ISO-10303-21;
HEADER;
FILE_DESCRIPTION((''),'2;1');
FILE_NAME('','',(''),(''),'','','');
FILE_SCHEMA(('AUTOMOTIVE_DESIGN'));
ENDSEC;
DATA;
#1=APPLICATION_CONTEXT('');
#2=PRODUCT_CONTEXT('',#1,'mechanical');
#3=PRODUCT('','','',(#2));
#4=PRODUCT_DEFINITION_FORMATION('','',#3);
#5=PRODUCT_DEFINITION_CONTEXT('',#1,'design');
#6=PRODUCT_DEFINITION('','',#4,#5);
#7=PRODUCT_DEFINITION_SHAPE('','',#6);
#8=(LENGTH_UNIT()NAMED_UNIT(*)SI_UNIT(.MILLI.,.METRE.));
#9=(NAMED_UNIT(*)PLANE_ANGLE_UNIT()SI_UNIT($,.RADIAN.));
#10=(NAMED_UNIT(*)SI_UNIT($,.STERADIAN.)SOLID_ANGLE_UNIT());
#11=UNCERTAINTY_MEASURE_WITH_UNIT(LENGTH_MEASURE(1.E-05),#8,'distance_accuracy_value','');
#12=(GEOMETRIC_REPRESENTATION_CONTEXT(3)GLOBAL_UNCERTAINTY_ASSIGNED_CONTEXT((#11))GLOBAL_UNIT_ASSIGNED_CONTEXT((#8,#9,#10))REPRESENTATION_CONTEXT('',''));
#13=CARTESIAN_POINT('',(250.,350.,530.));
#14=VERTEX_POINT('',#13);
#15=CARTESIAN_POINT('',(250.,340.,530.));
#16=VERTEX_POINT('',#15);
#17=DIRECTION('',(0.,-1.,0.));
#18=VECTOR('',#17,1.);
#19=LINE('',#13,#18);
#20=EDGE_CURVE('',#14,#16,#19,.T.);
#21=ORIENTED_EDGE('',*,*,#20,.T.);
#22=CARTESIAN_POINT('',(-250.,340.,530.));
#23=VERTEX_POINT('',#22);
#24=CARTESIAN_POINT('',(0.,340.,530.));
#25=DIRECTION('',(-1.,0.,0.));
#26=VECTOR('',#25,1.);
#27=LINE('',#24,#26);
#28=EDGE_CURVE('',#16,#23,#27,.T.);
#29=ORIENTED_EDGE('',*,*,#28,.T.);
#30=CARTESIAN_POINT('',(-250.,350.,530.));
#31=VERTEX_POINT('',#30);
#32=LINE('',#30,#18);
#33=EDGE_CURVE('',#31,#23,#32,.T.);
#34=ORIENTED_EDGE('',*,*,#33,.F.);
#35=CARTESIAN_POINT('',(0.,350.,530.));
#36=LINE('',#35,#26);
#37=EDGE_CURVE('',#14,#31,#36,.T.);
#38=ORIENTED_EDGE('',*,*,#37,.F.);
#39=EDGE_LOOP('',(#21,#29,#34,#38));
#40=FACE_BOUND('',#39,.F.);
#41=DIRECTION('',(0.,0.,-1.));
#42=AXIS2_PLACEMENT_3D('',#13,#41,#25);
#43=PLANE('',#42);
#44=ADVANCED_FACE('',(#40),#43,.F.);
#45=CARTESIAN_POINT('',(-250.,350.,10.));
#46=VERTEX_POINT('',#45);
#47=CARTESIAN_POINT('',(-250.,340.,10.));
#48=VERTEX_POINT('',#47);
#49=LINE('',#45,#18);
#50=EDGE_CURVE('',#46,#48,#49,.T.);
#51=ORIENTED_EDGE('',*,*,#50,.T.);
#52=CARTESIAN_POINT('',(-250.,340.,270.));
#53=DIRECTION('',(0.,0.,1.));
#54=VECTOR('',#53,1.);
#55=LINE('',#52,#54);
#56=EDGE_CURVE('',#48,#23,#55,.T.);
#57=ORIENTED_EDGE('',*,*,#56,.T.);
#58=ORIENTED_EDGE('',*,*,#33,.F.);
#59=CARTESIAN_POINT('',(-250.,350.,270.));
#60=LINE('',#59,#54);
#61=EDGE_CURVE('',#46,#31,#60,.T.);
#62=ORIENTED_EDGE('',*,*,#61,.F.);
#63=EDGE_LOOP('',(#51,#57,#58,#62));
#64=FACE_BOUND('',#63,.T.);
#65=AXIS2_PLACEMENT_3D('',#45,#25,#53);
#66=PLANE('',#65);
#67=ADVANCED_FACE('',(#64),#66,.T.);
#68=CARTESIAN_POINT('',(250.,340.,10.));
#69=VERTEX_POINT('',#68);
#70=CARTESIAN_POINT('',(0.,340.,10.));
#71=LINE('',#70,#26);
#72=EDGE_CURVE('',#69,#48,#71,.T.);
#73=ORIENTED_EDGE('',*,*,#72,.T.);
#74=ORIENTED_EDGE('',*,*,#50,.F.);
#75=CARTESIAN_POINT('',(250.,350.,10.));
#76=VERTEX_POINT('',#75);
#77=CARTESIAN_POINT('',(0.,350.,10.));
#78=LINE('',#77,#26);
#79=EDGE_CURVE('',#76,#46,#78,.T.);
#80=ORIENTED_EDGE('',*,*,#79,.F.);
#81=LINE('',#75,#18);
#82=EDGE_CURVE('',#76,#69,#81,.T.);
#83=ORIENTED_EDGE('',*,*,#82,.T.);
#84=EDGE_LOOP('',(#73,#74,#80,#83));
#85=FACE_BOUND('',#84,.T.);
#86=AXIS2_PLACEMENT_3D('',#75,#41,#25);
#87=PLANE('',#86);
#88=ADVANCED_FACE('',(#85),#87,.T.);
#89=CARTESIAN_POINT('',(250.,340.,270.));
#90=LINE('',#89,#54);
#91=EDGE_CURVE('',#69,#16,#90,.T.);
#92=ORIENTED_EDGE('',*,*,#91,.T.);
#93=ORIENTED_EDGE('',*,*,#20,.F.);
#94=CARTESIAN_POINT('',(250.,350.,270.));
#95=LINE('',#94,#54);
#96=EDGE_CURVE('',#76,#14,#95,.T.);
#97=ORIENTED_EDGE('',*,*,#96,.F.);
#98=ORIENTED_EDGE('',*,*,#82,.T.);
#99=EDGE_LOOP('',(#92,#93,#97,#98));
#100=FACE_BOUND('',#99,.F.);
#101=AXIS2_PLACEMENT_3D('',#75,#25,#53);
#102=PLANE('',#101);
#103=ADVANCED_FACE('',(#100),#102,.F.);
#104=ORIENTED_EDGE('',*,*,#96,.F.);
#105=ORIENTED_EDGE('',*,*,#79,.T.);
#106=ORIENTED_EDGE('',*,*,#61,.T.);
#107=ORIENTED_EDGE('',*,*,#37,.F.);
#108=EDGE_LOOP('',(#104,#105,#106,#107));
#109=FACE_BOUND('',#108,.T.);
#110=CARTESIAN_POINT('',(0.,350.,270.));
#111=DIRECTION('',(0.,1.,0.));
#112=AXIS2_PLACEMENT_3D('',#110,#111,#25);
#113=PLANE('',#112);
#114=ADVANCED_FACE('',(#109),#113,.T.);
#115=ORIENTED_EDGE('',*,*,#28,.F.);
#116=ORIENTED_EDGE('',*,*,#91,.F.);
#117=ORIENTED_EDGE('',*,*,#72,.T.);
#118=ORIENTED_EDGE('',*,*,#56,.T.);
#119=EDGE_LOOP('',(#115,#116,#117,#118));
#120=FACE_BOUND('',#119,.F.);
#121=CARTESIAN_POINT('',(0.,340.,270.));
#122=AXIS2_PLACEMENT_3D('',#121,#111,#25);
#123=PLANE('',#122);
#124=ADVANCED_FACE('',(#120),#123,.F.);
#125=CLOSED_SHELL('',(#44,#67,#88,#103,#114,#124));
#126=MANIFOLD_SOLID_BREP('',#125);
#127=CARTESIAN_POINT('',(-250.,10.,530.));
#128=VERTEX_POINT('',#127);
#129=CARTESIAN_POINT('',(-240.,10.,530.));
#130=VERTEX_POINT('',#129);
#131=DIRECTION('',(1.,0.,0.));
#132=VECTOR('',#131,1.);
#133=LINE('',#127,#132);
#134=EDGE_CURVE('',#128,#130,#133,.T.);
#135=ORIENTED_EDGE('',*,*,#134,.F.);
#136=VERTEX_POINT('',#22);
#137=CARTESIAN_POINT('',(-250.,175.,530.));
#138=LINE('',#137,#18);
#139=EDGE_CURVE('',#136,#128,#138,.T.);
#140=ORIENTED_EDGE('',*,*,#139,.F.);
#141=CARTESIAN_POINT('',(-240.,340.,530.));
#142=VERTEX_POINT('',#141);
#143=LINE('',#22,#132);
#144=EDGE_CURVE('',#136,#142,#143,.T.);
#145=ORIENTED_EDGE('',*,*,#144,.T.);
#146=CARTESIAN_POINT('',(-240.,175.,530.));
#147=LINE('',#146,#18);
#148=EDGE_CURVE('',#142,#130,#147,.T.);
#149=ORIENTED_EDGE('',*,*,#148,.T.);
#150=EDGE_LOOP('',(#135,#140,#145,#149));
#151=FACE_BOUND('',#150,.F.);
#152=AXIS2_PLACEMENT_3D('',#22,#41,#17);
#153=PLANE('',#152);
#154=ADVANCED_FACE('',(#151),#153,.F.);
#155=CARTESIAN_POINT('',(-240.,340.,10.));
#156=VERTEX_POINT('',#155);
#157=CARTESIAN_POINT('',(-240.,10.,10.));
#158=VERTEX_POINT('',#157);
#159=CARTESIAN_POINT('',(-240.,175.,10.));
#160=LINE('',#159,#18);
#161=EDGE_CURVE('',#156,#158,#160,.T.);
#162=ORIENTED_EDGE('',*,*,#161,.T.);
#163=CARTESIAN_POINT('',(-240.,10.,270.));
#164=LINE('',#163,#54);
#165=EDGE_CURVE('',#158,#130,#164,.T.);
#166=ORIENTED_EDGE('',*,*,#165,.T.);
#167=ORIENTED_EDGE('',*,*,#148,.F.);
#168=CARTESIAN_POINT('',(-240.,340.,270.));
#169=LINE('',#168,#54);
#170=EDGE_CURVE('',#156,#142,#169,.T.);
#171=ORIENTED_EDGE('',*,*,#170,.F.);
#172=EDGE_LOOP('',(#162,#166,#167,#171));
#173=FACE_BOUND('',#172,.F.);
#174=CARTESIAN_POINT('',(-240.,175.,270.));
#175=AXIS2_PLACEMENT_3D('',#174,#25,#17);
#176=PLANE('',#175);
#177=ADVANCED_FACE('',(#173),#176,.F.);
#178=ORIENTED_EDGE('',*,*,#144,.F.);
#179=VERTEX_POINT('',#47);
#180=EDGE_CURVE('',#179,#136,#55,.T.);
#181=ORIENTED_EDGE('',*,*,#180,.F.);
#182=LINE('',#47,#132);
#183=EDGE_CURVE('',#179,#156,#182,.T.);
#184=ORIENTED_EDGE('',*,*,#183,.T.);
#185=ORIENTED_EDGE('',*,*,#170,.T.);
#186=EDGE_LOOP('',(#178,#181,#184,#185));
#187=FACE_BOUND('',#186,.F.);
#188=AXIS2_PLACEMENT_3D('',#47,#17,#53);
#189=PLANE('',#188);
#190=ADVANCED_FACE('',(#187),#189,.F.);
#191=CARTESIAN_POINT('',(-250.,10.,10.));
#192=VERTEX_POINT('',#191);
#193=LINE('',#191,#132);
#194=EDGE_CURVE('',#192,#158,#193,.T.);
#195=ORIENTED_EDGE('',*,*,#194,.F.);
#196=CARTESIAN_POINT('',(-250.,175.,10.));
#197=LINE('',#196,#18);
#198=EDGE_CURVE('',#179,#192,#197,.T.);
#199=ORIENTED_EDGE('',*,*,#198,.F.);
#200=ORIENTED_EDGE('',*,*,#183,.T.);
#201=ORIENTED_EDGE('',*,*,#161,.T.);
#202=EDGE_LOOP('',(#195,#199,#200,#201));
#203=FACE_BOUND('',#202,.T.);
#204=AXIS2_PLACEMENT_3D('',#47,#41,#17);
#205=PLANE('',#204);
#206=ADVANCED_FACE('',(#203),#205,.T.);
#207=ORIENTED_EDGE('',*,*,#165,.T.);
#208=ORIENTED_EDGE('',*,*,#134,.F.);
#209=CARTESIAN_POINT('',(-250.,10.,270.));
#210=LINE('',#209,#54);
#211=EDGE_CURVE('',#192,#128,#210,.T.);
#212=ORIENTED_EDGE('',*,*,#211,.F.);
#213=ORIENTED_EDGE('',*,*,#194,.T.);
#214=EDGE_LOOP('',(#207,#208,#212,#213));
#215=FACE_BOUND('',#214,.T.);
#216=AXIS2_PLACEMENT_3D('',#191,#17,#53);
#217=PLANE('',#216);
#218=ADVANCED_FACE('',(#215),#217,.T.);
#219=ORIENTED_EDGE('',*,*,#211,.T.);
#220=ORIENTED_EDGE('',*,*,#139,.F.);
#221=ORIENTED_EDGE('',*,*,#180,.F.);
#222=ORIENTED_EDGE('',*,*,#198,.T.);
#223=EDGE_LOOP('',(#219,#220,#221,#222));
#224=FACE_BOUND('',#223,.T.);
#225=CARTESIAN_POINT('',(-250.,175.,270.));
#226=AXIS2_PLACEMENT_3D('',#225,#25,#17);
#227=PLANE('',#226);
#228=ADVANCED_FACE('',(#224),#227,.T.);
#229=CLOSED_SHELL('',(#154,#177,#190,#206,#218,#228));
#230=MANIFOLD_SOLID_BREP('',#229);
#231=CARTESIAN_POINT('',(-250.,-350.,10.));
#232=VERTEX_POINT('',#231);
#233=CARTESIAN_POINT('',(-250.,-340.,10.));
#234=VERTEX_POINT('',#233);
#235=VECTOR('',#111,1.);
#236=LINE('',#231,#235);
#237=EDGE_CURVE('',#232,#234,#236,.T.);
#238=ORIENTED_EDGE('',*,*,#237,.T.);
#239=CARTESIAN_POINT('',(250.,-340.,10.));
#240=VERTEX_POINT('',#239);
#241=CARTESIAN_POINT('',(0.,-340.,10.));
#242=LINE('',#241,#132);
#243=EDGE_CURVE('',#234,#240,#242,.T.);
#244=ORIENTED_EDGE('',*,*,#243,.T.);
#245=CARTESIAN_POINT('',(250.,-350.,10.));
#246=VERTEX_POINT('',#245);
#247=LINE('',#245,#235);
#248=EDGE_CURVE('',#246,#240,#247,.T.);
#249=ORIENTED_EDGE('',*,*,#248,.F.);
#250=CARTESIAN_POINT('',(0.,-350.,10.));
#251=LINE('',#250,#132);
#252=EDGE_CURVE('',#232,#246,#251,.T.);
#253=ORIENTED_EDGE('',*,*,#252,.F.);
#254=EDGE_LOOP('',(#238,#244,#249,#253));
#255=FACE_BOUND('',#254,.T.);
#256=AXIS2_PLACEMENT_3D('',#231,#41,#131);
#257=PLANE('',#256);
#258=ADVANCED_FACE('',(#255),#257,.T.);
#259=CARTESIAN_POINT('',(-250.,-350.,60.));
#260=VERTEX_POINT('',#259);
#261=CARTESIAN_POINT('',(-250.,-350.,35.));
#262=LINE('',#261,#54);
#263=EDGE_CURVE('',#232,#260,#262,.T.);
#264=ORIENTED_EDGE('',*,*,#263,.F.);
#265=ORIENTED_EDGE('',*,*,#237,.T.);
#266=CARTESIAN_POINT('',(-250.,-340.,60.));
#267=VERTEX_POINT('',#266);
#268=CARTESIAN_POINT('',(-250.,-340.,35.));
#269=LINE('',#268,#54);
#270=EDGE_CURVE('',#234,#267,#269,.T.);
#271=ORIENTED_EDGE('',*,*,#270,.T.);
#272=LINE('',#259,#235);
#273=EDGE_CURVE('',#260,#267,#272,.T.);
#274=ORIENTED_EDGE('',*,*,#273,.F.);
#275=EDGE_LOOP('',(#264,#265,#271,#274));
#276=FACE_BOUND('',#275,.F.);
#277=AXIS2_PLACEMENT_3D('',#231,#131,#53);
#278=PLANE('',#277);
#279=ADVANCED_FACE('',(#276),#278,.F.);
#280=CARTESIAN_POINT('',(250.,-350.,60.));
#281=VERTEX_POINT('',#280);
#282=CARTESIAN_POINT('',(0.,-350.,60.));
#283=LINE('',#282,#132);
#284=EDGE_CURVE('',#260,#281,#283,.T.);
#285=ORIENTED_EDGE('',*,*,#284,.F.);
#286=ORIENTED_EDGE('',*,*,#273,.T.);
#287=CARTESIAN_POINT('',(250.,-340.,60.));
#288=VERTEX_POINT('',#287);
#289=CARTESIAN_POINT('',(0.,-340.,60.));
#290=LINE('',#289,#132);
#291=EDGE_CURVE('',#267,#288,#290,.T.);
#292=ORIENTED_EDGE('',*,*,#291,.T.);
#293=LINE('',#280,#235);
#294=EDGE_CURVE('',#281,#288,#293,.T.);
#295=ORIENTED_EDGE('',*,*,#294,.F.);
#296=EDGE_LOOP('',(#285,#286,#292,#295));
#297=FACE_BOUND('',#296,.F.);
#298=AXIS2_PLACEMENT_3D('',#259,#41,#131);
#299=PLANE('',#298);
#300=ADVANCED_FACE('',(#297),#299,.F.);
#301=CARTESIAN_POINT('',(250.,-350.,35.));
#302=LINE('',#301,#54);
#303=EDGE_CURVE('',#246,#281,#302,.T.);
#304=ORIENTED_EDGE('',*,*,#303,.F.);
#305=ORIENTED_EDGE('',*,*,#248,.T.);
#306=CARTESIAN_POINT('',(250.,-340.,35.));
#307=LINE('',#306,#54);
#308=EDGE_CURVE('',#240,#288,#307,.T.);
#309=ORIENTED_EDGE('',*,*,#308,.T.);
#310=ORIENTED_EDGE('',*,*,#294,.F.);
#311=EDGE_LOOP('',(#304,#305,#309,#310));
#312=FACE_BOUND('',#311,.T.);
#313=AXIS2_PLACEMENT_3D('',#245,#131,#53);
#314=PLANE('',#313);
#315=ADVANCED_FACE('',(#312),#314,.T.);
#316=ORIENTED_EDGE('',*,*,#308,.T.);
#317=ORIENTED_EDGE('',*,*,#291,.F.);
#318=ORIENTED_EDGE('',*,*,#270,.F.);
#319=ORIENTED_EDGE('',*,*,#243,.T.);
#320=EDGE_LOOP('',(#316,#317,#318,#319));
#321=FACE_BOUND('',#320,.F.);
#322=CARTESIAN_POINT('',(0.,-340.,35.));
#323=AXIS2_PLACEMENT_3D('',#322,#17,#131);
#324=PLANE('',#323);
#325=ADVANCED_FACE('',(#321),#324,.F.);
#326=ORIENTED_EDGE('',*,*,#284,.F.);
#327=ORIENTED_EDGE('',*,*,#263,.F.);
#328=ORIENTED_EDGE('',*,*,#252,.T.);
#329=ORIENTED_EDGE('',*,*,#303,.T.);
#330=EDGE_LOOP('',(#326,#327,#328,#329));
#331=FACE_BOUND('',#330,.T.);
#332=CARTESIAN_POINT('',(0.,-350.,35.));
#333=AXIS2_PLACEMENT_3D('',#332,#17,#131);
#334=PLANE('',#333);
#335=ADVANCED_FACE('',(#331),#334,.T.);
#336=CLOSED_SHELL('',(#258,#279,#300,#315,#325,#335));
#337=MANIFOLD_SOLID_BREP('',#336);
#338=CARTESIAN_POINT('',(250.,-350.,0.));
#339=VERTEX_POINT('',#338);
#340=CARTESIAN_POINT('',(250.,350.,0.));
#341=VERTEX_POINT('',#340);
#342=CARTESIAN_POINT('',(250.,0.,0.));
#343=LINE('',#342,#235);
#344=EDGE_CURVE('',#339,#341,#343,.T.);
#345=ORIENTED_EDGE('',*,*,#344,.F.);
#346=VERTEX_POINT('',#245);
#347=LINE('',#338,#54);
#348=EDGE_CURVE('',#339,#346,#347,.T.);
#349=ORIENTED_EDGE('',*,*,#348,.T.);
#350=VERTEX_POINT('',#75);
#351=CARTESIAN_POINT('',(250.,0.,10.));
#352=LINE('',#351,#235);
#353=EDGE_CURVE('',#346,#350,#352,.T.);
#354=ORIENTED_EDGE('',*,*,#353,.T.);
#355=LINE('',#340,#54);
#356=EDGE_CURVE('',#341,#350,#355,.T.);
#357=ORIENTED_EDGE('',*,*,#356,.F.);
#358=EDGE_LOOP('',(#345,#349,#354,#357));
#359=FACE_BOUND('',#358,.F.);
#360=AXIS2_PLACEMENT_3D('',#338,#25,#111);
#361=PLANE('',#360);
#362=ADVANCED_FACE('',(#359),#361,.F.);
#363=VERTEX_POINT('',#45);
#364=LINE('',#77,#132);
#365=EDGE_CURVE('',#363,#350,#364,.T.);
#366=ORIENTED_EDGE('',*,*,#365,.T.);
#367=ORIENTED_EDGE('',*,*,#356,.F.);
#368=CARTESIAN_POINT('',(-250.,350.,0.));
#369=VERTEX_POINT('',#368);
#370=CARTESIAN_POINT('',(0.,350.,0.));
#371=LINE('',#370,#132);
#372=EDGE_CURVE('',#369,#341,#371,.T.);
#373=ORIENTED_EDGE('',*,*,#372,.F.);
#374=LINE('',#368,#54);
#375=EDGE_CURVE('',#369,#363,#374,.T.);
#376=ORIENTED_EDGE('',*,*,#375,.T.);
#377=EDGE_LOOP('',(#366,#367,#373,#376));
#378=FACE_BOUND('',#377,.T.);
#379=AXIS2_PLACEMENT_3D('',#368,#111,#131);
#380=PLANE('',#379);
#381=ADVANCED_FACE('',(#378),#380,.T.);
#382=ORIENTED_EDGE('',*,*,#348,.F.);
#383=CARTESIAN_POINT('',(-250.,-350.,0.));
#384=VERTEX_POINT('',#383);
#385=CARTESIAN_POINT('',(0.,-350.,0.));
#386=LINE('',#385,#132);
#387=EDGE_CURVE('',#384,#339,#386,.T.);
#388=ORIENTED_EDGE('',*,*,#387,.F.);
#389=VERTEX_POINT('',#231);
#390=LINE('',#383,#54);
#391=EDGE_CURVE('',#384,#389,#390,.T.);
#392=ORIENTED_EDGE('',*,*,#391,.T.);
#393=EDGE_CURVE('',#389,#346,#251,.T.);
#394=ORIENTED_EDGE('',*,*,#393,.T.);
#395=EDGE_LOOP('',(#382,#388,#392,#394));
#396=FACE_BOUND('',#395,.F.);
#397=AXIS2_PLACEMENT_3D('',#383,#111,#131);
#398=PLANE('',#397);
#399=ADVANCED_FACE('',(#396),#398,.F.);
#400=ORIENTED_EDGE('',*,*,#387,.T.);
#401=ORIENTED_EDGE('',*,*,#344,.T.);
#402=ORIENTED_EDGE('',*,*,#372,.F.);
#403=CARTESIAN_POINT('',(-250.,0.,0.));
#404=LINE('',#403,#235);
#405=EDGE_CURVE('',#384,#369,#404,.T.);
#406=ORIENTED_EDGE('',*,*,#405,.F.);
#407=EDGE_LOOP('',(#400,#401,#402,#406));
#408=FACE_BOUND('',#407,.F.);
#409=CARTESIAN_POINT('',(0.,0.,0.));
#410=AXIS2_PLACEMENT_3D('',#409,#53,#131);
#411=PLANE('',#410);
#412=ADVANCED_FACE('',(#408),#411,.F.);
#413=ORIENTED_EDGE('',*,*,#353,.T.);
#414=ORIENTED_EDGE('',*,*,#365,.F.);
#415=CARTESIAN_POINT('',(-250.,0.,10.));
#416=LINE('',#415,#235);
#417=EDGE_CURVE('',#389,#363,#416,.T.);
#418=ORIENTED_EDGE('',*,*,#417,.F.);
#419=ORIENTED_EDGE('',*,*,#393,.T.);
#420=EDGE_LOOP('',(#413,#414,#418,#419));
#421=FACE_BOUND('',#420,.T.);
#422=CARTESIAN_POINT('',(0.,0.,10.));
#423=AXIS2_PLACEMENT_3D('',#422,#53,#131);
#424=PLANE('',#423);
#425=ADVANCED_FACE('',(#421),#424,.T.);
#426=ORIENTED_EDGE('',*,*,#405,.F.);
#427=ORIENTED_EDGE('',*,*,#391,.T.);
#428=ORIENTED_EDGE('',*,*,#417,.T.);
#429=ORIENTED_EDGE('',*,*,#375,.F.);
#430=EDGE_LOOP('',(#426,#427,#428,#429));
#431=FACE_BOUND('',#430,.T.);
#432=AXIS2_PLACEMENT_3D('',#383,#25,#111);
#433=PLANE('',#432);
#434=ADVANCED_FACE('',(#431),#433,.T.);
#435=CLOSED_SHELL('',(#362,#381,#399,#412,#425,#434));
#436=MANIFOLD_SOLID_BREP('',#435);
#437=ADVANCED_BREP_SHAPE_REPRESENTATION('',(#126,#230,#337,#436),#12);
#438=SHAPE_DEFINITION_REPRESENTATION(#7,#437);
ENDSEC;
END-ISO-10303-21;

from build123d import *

# Parameters (mm, degrees)
F1_W     = 500
F1_H     = 700
F2_DEPTH = 10
F3_W     = 500
F3_H     = 520
F4_DEPTH = 10
F5_W     = 330
F5_H     = 520
F6_DEPTH = 10
F7_W     = 500
F7_H     = 50
F8_DEPTH = 10


with BuildPart() as f2:
    # F1 (on Top) → F2 (new body)
    with BuildSketch(Plane.XY):
        Rectangle(F1_W, F1_H)
    extrude(amount=F2_DEPTH)


with BuildPart() as f4:
    # F3 (on face) → F4 (new body)
    with BuildSketch(Plane(origin=(0, 350, 0), x_dir=(-1, 0, 0), z_dir=(0, 1, 0))):
        with Locations((0, 270)):
            Rectangle(F3_W, F3_H)
    extrude(amount=-F4_DEPTH)


with BuildPart() as f6:
    # F5 (on face) → F6 (new body)
    with BuildSketch(Plane(origin=(-250, 0, 0), x_dir=(0, -1, 0), z_dir=(-1, 0, 0))):
        with Locations((-175, 270)):
            Rectangle(F5_W, F5_H)
    extrude(amount=-F6_DEPTH)


with BuildPart() as f8:
    # F7 (on face) → F8 (new body)
    with BuildSketch(Plane.XZ.offset(350)):
        with Locations((0, 35)):
            Rectangle(F7_W, F7_H)
    extrude(amount=-F8_DEPTH)


solid = Compound([f2.part, f4.part, f6.part, f8.part])
